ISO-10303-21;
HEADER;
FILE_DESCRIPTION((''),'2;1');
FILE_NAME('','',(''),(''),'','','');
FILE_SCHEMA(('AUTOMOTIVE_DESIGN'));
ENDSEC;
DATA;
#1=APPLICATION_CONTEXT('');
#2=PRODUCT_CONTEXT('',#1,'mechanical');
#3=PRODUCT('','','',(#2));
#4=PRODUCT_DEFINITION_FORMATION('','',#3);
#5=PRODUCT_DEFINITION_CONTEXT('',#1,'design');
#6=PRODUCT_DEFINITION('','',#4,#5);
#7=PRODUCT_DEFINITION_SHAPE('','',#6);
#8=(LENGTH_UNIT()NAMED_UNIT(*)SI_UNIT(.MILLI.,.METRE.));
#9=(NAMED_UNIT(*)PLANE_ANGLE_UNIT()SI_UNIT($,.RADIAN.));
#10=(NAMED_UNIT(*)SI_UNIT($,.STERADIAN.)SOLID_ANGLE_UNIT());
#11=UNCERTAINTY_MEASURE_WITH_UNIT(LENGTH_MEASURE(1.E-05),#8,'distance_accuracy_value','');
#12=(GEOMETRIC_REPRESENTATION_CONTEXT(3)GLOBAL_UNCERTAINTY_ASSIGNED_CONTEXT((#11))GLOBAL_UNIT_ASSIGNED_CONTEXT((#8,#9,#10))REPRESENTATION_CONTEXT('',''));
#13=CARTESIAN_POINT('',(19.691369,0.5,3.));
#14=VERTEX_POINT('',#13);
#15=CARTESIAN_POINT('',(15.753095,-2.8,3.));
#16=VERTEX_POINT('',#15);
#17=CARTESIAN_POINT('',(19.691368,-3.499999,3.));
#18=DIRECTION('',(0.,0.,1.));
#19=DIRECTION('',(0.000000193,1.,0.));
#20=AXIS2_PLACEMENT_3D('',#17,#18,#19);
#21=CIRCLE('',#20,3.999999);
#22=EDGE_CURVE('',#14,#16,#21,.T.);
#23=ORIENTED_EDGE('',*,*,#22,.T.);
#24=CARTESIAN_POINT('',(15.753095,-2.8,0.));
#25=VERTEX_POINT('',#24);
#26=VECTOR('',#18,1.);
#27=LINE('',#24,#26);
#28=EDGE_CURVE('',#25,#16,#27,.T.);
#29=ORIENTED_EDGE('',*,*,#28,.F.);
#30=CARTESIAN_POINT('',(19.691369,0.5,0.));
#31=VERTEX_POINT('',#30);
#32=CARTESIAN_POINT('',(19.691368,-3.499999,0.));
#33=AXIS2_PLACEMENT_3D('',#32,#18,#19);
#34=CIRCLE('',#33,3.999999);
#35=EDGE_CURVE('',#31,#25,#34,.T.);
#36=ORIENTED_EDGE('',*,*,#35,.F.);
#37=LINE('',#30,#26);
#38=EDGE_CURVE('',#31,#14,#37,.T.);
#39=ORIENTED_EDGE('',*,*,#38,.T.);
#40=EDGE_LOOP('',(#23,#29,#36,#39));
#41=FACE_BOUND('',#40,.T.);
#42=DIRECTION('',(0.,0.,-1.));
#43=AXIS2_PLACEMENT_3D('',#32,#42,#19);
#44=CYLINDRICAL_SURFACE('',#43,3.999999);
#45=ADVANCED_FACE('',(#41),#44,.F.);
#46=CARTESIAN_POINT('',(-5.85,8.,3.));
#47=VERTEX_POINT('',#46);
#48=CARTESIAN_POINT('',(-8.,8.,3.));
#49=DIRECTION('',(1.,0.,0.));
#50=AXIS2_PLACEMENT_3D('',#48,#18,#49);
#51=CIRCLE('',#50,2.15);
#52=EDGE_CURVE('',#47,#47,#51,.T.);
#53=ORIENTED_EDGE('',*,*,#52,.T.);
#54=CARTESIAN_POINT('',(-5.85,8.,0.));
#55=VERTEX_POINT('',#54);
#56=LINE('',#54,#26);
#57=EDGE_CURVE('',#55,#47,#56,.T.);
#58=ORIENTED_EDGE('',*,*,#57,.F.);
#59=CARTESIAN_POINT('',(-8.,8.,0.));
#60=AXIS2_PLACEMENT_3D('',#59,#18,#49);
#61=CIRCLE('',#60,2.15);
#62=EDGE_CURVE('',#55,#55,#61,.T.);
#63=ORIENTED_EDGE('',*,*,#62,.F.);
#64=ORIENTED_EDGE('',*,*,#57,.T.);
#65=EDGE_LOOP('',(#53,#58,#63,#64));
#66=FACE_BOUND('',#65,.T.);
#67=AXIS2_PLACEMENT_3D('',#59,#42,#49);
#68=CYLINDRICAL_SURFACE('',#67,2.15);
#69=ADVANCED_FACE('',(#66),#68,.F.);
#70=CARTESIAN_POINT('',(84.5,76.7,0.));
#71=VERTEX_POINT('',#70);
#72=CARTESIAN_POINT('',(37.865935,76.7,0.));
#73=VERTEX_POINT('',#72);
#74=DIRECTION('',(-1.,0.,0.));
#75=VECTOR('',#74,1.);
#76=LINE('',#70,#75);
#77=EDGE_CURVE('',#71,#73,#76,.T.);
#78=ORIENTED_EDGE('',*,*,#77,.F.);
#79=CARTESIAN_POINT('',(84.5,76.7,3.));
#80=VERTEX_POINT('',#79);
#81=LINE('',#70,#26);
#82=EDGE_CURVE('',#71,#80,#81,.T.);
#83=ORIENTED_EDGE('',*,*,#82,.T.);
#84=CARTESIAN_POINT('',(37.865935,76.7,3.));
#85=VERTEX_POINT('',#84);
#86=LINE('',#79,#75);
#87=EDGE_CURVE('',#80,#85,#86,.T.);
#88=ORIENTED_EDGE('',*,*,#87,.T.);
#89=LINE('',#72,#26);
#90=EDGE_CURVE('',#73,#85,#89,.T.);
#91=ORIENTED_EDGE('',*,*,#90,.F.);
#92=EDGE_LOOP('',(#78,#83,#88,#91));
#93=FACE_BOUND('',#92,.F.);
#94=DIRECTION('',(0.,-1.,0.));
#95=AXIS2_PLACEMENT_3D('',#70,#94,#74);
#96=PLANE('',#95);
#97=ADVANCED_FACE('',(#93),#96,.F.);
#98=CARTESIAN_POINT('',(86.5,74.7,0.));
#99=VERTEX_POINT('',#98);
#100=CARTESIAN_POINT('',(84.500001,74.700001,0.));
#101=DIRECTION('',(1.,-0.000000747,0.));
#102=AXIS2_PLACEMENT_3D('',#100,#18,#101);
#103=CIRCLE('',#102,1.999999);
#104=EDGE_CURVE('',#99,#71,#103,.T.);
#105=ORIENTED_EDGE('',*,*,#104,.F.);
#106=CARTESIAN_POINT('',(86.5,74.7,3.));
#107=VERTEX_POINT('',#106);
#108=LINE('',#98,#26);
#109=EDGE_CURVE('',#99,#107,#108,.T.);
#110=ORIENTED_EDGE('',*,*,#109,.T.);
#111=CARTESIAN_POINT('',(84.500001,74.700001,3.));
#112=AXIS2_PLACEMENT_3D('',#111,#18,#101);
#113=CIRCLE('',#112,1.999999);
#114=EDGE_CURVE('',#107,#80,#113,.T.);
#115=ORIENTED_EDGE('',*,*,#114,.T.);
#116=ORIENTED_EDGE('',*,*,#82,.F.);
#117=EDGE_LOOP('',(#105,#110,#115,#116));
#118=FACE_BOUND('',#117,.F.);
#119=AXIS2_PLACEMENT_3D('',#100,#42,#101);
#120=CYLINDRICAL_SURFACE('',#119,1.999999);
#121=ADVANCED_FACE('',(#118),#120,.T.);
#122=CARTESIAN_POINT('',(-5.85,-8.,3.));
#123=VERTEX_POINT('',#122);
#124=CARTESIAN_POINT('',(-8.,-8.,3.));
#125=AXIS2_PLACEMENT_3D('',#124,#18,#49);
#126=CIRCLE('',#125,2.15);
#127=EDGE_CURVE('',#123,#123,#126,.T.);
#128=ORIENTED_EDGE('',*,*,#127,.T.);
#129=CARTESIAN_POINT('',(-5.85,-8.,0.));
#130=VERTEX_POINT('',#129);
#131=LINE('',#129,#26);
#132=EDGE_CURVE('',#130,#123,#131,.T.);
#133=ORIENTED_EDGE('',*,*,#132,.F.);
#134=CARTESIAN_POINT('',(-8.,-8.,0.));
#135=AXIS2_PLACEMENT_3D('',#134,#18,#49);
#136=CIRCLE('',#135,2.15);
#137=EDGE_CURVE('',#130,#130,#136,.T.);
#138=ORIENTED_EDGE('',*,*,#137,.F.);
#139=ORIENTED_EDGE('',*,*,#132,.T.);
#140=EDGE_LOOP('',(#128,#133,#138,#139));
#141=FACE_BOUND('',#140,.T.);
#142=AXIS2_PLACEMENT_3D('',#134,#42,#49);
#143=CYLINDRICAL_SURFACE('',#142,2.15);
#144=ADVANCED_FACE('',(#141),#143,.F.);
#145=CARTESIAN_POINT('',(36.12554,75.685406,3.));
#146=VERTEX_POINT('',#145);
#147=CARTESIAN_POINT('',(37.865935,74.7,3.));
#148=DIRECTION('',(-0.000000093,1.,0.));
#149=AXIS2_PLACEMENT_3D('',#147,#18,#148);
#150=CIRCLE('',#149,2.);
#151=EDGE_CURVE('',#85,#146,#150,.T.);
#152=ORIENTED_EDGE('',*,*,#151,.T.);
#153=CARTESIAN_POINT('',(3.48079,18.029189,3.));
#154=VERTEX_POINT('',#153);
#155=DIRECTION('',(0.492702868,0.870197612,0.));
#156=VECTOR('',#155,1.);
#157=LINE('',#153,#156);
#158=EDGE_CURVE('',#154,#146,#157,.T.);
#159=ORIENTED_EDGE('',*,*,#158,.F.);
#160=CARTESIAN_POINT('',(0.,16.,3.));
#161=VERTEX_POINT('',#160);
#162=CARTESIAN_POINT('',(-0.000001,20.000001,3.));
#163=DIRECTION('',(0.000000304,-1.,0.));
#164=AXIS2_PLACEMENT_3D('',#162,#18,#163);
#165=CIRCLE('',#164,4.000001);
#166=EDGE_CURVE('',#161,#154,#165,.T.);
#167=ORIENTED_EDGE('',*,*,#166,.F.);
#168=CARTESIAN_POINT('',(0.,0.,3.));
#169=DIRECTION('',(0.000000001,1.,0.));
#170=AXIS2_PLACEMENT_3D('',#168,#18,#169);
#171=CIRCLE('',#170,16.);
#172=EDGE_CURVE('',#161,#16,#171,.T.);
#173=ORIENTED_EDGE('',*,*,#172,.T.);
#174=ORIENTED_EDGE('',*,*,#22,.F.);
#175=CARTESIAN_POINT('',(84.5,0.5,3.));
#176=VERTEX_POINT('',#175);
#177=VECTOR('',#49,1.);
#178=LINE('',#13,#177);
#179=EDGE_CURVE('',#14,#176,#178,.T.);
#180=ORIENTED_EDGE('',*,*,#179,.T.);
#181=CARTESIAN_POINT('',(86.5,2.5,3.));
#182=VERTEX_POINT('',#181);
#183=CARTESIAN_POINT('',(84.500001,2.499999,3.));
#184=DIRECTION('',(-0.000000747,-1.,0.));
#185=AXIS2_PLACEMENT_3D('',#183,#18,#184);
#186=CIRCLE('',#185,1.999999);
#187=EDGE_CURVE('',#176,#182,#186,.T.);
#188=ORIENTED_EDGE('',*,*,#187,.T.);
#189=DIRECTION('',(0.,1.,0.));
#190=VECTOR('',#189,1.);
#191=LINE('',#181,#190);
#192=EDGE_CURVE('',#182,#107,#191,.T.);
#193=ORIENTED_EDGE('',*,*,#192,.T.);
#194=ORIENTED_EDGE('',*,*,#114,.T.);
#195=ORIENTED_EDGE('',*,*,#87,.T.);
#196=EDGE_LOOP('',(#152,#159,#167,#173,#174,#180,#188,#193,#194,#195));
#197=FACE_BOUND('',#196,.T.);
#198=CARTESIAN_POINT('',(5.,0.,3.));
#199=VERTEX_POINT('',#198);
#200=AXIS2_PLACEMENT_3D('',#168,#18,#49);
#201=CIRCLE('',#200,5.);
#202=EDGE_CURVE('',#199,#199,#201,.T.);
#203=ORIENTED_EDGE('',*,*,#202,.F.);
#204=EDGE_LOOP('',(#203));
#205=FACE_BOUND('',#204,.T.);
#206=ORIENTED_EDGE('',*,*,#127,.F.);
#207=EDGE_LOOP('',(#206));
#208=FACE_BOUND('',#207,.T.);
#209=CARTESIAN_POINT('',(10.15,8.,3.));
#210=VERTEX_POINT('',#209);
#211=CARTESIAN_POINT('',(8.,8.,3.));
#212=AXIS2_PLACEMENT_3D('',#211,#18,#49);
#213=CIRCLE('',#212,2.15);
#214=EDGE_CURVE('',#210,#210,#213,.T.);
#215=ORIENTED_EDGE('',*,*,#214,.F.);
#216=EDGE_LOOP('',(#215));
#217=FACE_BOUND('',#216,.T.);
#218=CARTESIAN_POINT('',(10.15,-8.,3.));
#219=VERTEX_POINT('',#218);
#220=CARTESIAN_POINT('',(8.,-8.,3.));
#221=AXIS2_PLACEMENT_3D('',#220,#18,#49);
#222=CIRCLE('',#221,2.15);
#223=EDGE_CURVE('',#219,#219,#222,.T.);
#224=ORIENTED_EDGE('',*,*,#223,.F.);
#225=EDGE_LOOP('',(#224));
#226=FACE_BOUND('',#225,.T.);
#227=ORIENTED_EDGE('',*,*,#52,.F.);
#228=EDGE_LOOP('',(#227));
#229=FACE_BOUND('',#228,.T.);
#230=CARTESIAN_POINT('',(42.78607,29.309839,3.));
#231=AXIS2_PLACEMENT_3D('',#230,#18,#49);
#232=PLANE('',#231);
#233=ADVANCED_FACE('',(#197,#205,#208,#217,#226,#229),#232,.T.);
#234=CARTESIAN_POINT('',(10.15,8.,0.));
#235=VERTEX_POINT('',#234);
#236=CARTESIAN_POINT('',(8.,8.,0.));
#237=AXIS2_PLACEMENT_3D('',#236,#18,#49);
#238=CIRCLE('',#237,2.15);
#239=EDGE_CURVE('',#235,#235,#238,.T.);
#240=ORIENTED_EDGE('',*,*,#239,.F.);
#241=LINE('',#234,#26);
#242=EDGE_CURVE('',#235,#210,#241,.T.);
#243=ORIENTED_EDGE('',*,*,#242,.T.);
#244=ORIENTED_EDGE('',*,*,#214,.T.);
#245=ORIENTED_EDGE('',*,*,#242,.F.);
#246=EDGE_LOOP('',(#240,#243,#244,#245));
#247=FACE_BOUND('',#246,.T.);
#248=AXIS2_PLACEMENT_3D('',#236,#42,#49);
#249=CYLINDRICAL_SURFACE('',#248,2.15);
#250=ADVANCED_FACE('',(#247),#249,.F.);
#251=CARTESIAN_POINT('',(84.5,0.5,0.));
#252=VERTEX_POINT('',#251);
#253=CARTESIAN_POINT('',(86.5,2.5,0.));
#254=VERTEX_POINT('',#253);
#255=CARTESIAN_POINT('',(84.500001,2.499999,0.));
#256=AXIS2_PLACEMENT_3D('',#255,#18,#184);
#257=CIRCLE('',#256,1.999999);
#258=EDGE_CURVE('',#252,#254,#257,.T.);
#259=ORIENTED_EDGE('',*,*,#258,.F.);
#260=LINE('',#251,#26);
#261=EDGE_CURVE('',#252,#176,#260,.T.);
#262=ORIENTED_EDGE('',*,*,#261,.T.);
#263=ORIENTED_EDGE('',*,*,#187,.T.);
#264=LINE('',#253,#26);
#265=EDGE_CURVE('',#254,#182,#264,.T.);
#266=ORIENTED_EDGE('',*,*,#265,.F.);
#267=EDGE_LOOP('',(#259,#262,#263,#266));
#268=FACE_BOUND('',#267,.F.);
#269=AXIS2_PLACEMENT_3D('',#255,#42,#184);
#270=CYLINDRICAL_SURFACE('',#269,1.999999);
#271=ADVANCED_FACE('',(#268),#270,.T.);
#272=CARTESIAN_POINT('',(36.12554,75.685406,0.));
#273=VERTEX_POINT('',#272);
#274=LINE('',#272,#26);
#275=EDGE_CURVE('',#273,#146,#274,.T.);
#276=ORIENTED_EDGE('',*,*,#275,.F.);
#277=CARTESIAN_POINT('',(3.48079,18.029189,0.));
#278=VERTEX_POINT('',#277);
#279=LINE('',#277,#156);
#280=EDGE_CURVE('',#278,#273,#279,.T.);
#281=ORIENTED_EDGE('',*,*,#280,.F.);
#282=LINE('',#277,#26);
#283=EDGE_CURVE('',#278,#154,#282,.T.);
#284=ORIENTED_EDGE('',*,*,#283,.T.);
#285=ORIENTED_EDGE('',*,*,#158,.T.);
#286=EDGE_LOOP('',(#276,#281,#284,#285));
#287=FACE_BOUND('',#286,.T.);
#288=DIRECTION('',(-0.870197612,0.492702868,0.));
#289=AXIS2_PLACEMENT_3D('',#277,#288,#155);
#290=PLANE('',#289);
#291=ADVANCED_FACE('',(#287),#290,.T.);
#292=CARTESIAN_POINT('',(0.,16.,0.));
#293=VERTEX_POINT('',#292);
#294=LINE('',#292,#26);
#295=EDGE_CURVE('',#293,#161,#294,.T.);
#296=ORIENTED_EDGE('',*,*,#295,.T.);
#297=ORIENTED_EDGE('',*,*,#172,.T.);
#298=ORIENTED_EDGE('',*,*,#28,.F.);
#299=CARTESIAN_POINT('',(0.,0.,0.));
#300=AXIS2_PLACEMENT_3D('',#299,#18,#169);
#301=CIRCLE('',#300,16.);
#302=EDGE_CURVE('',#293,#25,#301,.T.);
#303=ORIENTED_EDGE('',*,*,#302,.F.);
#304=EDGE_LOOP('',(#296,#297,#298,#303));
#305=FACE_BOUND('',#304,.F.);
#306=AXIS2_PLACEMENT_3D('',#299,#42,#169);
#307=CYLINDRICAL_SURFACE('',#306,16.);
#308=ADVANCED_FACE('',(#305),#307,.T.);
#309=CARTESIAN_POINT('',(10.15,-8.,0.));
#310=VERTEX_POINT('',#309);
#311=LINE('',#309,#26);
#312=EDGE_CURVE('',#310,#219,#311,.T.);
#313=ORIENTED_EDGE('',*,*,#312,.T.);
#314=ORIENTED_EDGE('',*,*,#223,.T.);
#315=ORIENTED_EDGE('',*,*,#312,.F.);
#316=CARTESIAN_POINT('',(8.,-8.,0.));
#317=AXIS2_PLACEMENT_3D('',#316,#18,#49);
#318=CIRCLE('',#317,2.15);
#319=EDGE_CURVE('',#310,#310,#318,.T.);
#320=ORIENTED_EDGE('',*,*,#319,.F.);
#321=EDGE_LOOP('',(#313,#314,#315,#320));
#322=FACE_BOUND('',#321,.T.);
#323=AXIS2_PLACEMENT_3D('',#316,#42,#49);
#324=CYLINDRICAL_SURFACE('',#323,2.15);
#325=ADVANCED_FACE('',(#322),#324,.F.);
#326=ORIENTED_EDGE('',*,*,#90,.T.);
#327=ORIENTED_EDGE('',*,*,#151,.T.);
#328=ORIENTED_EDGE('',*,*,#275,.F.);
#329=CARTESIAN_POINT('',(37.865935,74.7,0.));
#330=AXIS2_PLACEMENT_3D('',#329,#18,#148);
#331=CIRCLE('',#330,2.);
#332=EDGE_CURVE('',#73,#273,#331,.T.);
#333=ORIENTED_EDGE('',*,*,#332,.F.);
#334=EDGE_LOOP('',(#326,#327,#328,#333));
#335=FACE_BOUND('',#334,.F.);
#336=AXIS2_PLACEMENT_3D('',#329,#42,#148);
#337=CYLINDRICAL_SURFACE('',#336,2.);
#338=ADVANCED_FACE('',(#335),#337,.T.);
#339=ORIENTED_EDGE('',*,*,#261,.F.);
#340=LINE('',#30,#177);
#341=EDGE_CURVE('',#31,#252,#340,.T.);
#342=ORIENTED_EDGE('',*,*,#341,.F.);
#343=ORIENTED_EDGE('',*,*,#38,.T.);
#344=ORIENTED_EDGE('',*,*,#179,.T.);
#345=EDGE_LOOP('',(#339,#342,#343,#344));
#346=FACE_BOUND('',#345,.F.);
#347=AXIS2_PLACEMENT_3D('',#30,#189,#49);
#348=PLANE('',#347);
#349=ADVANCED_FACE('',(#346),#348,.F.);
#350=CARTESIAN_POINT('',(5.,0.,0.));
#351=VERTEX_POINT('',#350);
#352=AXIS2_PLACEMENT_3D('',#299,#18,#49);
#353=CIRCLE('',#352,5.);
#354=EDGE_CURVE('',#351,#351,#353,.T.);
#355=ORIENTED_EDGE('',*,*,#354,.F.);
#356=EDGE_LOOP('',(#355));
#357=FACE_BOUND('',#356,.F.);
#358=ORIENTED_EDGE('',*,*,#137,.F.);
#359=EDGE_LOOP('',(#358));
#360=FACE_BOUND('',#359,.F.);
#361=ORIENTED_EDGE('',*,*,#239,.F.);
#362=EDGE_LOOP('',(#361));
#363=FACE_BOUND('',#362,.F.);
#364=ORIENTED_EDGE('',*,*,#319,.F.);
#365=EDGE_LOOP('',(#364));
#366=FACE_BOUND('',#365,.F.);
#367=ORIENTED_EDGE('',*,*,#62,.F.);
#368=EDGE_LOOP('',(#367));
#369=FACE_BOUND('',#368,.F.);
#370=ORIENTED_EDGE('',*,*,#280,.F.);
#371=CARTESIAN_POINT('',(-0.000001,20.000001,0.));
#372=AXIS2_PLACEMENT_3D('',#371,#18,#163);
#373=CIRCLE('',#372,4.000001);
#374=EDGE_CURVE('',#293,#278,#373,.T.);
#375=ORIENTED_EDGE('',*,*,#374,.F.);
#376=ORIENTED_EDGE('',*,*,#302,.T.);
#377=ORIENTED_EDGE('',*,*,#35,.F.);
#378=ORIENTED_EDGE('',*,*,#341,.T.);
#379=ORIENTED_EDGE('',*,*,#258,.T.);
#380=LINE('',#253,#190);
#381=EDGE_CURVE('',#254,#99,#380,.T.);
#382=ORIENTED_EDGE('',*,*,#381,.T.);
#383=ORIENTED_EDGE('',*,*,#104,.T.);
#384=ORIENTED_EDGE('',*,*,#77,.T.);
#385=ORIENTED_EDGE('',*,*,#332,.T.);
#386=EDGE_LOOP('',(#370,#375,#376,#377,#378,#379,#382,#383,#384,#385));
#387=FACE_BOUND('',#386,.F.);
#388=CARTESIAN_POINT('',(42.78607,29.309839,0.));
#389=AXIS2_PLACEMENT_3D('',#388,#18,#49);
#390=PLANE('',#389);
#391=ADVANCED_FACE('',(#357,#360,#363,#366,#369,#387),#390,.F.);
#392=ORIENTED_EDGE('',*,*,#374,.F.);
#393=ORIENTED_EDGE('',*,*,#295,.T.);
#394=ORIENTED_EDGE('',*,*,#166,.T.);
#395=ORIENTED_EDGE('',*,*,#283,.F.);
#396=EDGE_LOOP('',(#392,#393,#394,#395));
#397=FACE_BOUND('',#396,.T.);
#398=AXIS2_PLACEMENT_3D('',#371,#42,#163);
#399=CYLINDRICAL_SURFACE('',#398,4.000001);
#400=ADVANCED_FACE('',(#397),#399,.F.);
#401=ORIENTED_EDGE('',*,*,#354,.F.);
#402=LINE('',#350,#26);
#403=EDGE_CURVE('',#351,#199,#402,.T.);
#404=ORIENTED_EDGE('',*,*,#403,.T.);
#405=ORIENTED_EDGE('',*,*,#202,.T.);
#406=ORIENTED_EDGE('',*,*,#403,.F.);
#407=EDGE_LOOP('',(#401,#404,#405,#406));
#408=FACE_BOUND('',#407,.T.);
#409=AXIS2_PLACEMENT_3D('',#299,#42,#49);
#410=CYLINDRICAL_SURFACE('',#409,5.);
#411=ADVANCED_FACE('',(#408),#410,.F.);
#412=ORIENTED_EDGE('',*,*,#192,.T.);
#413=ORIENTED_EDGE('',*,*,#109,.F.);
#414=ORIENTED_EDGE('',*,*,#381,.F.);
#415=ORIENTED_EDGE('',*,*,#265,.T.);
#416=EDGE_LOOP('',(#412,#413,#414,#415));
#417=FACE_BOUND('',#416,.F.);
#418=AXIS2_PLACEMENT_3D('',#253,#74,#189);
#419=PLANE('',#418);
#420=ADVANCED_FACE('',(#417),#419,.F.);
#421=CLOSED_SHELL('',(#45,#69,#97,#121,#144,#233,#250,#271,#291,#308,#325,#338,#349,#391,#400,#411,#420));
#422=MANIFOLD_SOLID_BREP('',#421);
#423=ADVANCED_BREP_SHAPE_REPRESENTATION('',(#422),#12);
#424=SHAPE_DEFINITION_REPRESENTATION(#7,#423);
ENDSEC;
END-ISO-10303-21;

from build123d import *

# Parameters (mm, degrees)
SKETCH_R   = 2.15
SKETCH_R_2 = 5
PAD_DEPTH  = 3


with BuildPart() as part:
    # Sketch → Pad (new body)
    with BuildSketch(Plane.XY):
        with BuildLine():
            Line((36.7, 0.5), (84.5, 0.5))
            ThreePointArc((84.5, 0.5), (85.914214, 1.085786), (86.5, 2.5))
            Line((86.5, 2.5), (86.5, 74.7))
            ThreePointArc((86.5, 74.7), (85.914214, 76.114214), (84.5, 76.7))
            Line((84.5, 76.7), (37.865935, 76.7))
            ThreePointArc((37.865935, 76.7), (36.858665, 76.427833), (36.12554, 75.685406))
            Line((3.48079, 18.029189), (36.12554, 75.685406))
            ThreePointArc((0, 16), (2.014541, 16.544335), (3.48079, 18.029189))
            ThreePointArc((0, 16), (-12.263768, -10.276186), (15.753095, -2.8))
            ThreePointArc((19.691369, 0.5), (17.122322, -0.434058), (15.753095, -2.8))
            Line((36.7, 0.5), (19.691369, 0.5))
        make_face()
        with Locations((-8, 8)):
            Circle(SKETCH_R, mode=Mode.SUBTRACT)
        with Locations((8, 8)):
            Circle(SKETCH_R, mode=Mode.SUBTRACT)
        with Locations((-8, -8)):
            Circle(SKETCH_R, mode=Mode.SUBTRACT)
        with Locations((8, -8)):
            Circle(SKETCH_R, mode=Mode.SUBTRACT)
        Circle(SKETCH_R_2, mode=Mode.SUBTRACT)
    extrude(amount=PAD_DEPTH)


solid = part.part
